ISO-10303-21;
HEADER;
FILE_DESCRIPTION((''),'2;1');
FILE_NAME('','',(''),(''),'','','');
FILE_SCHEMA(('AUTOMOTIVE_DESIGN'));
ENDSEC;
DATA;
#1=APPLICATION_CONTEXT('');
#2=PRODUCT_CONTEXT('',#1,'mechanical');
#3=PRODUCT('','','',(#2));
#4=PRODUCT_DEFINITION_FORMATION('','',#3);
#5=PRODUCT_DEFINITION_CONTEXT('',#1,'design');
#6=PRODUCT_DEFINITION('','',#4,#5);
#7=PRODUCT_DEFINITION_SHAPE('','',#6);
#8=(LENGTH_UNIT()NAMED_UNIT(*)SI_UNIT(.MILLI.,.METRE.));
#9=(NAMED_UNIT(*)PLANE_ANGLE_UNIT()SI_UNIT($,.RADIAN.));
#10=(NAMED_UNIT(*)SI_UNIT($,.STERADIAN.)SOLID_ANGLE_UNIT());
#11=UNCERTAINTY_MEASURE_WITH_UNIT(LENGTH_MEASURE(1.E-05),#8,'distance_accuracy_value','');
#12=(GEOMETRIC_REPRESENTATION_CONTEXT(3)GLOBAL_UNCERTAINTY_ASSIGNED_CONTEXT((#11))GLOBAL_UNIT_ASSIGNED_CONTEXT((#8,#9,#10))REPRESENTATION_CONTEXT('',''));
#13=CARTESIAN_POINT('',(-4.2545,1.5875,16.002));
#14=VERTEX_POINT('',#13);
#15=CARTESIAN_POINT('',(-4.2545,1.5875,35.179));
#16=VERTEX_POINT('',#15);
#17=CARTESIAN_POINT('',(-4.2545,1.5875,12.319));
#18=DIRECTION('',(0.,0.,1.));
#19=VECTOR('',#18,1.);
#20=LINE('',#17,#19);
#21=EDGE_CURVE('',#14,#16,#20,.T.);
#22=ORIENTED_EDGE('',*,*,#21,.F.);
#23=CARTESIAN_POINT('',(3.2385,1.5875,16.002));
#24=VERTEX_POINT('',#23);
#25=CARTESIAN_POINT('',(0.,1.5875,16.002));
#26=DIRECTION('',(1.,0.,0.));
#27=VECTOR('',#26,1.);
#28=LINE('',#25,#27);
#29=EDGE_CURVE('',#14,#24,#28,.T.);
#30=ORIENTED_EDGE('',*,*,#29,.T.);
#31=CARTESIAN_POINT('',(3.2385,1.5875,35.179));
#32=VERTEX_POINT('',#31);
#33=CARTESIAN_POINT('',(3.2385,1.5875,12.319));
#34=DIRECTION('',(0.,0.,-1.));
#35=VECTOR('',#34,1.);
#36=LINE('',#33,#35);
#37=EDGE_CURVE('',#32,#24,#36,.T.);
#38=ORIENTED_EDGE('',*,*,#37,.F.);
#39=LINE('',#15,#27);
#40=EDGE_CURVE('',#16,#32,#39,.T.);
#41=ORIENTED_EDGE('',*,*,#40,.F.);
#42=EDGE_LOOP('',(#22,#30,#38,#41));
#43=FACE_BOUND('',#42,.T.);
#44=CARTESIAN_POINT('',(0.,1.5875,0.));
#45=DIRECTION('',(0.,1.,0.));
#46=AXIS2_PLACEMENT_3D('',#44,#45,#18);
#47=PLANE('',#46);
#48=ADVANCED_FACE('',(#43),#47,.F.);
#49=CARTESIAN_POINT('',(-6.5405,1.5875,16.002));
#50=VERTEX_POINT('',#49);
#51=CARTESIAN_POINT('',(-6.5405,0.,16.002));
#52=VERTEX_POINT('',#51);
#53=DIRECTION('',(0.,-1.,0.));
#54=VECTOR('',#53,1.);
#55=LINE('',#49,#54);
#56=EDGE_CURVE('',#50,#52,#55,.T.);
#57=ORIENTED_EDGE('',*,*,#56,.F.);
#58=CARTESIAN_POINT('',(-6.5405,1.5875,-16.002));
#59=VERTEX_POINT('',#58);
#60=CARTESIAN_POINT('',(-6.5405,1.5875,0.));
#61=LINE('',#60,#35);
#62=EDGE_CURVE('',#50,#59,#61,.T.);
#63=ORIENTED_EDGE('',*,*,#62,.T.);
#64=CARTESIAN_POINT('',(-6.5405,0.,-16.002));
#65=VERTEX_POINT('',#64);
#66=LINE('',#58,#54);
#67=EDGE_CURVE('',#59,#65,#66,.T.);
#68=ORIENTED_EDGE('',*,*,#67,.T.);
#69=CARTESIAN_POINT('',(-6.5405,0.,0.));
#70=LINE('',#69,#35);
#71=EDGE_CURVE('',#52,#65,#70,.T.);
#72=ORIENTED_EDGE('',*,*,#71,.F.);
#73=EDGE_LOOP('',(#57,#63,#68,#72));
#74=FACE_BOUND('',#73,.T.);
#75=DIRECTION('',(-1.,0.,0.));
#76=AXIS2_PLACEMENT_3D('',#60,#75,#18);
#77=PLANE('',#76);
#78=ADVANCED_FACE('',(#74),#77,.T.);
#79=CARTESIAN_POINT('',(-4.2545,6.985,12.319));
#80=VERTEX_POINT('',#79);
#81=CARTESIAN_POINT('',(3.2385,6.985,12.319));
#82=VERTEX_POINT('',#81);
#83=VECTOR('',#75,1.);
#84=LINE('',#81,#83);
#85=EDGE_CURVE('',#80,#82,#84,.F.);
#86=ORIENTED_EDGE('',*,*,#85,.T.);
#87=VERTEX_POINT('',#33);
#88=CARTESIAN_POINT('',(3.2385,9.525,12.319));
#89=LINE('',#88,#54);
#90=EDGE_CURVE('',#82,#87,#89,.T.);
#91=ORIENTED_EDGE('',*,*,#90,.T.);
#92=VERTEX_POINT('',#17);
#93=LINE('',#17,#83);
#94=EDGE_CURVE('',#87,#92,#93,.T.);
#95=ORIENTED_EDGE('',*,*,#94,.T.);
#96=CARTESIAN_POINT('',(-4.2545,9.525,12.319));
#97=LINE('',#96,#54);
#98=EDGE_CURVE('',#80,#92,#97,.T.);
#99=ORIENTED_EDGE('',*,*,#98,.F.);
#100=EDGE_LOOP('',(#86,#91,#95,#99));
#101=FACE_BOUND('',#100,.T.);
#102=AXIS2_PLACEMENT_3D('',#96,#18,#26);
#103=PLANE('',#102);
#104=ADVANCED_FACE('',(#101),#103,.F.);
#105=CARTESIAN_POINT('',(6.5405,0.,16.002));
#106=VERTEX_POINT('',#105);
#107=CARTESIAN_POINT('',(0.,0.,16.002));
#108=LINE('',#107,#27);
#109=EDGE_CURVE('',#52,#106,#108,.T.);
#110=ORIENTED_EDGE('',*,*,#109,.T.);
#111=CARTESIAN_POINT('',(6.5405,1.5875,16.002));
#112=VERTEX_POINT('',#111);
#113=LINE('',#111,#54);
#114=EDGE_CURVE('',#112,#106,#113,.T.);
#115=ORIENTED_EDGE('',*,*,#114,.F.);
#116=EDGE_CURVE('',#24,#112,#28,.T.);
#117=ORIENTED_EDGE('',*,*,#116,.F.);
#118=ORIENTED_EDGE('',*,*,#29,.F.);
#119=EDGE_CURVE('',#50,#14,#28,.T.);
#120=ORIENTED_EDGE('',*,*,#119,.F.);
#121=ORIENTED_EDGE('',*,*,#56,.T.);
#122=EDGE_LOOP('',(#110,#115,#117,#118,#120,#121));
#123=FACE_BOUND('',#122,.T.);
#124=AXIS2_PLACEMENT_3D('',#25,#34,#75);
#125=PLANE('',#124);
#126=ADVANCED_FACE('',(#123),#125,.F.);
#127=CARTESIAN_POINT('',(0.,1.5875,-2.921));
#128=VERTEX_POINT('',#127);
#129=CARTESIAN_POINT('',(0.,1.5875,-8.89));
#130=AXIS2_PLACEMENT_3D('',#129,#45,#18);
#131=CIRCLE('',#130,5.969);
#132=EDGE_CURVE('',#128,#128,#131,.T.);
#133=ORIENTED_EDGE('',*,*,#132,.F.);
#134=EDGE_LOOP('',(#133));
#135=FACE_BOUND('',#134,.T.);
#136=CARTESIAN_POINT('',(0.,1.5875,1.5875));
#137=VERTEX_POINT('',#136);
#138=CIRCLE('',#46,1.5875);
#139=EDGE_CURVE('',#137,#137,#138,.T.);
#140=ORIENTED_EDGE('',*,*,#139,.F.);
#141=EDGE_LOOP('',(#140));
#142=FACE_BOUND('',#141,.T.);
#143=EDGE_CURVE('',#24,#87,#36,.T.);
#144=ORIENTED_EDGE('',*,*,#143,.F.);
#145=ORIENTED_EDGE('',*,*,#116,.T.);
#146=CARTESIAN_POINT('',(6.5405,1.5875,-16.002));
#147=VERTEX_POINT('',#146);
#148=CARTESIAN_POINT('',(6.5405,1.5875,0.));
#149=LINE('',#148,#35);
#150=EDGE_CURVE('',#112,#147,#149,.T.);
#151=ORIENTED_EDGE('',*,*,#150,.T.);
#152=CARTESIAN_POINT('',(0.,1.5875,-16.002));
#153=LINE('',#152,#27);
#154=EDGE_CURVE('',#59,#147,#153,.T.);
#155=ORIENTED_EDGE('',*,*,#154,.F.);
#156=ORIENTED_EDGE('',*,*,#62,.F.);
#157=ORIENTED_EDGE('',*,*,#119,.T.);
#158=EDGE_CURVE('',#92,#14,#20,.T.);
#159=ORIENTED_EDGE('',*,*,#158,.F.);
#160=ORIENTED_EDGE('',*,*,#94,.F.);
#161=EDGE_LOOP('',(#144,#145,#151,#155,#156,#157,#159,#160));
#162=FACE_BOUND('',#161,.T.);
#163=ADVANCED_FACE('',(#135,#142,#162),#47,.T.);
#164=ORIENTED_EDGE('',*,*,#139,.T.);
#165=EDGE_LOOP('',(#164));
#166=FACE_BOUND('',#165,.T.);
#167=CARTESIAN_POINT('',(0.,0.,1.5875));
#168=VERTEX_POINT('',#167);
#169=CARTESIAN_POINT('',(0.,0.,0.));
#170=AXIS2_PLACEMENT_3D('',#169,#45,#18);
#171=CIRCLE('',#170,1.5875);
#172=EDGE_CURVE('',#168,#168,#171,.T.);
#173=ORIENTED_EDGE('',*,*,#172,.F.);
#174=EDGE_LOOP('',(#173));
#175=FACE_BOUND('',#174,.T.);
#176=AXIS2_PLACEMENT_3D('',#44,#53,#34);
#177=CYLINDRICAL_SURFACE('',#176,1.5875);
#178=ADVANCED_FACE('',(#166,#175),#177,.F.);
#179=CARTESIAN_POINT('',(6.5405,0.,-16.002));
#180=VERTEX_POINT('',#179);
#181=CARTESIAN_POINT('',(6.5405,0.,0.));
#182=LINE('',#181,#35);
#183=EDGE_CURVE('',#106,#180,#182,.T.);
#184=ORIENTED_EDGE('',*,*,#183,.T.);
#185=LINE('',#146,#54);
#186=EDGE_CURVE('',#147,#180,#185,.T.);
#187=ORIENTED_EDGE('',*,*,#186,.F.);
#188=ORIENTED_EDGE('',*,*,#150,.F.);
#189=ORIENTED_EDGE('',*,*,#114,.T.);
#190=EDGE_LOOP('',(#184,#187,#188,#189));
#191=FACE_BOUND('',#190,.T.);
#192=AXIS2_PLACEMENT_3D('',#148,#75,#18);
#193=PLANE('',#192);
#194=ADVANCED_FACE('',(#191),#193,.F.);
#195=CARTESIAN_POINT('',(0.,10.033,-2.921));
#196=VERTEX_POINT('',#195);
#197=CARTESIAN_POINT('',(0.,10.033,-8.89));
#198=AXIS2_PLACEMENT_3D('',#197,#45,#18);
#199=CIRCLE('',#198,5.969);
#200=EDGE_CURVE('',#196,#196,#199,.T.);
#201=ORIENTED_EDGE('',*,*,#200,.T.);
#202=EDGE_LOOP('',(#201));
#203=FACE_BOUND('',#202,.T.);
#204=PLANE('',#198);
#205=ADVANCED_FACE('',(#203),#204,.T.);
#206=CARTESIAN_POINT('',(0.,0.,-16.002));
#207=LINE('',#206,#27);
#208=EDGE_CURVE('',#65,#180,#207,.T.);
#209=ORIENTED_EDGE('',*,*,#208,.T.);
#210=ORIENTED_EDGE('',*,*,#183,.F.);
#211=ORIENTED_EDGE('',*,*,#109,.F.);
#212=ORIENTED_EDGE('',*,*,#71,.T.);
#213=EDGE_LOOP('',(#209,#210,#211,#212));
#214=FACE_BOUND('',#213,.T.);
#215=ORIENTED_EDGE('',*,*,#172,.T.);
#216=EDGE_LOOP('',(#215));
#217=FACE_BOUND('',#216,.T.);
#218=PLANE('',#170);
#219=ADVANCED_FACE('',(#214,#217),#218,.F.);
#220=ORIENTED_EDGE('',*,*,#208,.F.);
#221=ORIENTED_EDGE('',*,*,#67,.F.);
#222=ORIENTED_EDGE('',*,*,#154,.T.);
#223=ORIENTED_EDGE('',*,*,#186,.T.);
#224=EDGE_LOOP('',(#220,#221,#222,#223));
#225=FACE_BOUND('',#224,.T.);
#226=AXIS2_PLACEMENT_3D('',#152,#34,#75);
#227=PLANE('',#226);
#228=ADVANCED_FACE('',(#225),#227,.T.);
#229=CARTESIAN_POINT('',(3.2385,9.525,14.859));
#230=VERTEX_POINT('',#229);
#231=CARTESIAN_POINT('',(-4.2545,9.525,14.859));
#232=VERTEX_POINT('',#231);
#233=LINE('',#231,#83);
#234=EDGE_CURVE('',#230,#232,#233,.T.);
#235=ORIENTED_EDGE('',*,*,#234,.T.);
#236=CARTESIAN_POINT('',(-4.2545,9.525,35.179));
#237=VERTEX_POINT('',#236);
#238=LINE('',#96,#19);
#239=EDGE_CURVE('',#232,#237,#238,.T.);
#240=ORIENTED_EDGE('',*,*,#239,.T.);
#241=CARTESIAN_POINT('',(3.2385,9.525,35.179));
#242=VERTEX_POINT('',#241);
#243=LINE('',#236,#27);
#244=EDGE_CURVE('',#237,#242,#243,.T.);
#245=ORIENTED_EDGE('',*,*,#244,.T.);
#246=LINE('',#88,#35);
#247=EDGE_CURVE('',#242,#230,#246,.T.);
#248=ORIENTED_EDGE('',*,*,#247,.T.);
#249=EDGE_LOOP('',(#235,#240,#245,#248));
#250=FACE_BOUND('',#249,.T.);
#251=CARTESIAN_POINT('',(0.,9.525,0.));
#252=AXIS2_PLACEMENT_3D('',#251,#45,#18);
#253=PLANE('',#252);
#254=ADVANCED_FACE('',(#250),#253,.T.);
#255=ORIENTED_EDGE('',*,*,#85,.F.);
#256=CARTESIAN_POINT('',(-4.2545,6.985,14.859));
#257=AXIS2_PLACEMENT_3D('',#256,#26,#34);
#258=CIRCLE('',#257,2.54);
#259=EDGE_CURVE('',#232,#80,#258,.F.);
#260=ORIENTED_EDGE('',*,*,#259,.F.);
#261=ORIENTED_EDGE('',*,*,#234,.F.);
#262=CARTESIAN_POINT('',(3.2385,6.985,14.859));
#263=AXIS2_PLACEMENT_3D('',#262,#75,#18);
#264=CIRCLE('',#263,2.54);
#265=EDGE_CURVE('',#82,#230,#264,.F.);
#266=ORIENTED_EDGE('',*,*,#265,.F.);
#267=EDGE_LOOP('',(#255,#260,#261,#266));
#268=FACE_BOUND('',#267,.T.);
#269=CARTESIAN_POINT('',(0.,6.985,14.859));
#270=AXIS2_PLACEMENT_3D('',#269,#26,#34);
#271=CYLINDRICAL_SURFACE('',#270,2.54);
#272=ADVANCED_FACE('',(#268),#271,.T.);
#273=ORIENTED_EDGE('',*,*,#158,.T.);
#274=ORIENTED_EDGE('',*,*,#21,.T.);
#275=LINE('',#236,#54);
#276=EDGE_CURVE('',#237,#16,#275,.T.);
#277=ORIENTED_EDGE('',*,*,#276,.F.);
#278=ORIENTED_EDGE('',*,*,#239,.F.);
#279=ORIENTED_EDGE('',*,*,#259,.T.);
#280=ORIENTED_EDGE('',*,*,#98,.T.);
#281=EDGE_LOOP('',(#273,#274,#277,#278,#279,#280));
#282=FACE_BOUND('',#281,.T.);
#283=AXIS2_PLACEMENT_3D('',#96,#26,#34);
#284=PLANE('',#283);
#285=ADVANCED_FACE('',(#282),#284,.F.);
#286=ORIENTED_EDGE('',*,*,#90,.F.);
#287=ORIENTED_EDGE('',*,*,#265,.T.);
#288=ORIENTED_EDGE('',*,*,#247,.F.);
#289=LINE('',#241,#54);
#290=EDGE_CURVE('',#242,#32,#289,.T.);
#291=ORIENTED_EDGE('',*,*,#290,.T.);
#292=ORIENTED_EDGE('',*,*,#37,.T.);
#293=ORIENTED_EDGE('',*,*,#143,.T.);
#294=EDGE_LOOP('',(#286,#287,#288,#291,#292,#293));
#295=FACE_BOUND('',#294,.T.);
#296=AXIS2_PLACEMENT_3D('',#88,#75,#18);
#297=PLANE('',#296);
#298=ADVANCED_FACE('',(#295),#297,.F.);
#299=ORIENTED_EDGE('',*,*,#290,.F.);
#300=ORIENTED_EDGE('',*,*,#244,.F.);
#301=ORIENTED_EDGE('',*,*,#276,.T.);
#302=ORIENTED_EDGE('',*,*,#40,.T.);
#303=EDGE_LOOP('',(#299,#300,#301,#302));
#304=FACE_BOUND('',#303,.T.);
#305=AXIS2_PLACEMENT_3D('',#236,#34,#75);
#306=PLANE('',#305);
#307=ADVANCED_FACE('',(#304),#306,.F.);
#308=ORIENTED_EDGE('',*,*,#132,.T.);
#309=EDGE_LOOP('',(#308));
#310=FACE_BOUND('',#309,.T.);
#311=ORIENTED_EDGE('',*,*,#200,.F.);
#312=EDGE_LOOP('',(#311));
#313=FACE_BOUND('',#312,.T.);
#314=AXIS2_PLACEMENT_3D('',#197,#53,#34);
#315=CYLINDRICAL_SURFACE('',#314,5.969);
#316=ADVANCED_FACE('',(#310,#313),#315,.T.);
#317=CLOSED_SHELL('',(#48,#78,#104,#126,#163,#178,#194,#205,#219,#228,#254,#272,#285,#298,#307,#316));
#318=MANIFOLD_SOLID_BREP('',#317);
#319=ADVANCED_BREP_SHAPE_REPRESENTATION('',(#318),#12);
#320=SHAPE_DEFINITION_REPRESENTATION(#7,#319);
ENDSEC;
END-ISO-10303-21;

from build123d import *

# Parameters (mm, degrees)
SKETCH1_W           = 13.081
SKETCH1_H           = 32.004
SKETCH1_R           = 5.969
SKETCH1_R_2         = 1.5875
BOSS_EXTRUDE1_DEPTH = 1.5875
SKETCH2_R           = 5.969
BOSS_EXTRUDE2_DEPTH = 8.4455
SKETCH3_W           = 7.493
SKETCH3_H           = 22.86
BOSS_EXTRUDE3_DEPTH = 7.9375
FILLET1_R           = 2.54


with BuildPart() as part:
    # Sketch1 → Boss-Extrude1 (new body)
    # profile 1 of 2: a face of its own
    with BuildSketch(Plane(origin=(0, 0, 0), x_dir=(1, 0, 0), z_dir=(0, 1, 0))):
        Rectangle(SKETCH1_W, SKETCH1_H)
        with Locations((0, 8.89)):
            Circle(SKETCH1_R, mode=Mode.SUBTRACT)
        with Locations(Location((0, 0, 0), (0, 0, 270))):
            Circle(SKETCH1_R_2, mode=Mode.SUBTRACT)
    # profile 2 of 2: a face of its own
    with BuildSketch(Plane(origin=(0, 0, 0), x_dir=(1, 0, 0), z_dir=(0, 1, 0))):
        with Locations((0, 8.89)):
            Circle(SKETCH1_R)
    extrude(amount=BOSS_EXTRUDE1_DEPTH)

    # Sketch2 → Boss-Extrude2 (add)
    with BuildSketch(Plane(origin=(0, 1.5875, 0), x_dir=(1, 0, 0), z_dir=(0, 1, 0))):
        with Locations(Location((0, 8.89, 0), (0, 0, 270))):
            Circle(SKETCH2_R)
    extrude(amount=BOSS_EXTRUDE2_DEPTH)

    # Sketch3 → Boss-Extrude3 (add)
    with BuildSketch(Plane(origin=(0, 1.5875, 0), x_dir=(1, 0, 0), z_dir=(0, 1, 0))):
        with Locations((-0.508, -23.749)):
            Rectangle(SKETCH3_W, SKETCH3_H)
    extrude(amount=BOSS_EXTRUDE3_DEPTH)

    # Fillet1
    fillet1_edges = [part.edges().sort_by_distance(p)[0] for p in [
        (-0.508, 9.525, 12.319),
    ]]
    fillet(fillet1_edges, radius=FILLET1_R)


solid = part.part
